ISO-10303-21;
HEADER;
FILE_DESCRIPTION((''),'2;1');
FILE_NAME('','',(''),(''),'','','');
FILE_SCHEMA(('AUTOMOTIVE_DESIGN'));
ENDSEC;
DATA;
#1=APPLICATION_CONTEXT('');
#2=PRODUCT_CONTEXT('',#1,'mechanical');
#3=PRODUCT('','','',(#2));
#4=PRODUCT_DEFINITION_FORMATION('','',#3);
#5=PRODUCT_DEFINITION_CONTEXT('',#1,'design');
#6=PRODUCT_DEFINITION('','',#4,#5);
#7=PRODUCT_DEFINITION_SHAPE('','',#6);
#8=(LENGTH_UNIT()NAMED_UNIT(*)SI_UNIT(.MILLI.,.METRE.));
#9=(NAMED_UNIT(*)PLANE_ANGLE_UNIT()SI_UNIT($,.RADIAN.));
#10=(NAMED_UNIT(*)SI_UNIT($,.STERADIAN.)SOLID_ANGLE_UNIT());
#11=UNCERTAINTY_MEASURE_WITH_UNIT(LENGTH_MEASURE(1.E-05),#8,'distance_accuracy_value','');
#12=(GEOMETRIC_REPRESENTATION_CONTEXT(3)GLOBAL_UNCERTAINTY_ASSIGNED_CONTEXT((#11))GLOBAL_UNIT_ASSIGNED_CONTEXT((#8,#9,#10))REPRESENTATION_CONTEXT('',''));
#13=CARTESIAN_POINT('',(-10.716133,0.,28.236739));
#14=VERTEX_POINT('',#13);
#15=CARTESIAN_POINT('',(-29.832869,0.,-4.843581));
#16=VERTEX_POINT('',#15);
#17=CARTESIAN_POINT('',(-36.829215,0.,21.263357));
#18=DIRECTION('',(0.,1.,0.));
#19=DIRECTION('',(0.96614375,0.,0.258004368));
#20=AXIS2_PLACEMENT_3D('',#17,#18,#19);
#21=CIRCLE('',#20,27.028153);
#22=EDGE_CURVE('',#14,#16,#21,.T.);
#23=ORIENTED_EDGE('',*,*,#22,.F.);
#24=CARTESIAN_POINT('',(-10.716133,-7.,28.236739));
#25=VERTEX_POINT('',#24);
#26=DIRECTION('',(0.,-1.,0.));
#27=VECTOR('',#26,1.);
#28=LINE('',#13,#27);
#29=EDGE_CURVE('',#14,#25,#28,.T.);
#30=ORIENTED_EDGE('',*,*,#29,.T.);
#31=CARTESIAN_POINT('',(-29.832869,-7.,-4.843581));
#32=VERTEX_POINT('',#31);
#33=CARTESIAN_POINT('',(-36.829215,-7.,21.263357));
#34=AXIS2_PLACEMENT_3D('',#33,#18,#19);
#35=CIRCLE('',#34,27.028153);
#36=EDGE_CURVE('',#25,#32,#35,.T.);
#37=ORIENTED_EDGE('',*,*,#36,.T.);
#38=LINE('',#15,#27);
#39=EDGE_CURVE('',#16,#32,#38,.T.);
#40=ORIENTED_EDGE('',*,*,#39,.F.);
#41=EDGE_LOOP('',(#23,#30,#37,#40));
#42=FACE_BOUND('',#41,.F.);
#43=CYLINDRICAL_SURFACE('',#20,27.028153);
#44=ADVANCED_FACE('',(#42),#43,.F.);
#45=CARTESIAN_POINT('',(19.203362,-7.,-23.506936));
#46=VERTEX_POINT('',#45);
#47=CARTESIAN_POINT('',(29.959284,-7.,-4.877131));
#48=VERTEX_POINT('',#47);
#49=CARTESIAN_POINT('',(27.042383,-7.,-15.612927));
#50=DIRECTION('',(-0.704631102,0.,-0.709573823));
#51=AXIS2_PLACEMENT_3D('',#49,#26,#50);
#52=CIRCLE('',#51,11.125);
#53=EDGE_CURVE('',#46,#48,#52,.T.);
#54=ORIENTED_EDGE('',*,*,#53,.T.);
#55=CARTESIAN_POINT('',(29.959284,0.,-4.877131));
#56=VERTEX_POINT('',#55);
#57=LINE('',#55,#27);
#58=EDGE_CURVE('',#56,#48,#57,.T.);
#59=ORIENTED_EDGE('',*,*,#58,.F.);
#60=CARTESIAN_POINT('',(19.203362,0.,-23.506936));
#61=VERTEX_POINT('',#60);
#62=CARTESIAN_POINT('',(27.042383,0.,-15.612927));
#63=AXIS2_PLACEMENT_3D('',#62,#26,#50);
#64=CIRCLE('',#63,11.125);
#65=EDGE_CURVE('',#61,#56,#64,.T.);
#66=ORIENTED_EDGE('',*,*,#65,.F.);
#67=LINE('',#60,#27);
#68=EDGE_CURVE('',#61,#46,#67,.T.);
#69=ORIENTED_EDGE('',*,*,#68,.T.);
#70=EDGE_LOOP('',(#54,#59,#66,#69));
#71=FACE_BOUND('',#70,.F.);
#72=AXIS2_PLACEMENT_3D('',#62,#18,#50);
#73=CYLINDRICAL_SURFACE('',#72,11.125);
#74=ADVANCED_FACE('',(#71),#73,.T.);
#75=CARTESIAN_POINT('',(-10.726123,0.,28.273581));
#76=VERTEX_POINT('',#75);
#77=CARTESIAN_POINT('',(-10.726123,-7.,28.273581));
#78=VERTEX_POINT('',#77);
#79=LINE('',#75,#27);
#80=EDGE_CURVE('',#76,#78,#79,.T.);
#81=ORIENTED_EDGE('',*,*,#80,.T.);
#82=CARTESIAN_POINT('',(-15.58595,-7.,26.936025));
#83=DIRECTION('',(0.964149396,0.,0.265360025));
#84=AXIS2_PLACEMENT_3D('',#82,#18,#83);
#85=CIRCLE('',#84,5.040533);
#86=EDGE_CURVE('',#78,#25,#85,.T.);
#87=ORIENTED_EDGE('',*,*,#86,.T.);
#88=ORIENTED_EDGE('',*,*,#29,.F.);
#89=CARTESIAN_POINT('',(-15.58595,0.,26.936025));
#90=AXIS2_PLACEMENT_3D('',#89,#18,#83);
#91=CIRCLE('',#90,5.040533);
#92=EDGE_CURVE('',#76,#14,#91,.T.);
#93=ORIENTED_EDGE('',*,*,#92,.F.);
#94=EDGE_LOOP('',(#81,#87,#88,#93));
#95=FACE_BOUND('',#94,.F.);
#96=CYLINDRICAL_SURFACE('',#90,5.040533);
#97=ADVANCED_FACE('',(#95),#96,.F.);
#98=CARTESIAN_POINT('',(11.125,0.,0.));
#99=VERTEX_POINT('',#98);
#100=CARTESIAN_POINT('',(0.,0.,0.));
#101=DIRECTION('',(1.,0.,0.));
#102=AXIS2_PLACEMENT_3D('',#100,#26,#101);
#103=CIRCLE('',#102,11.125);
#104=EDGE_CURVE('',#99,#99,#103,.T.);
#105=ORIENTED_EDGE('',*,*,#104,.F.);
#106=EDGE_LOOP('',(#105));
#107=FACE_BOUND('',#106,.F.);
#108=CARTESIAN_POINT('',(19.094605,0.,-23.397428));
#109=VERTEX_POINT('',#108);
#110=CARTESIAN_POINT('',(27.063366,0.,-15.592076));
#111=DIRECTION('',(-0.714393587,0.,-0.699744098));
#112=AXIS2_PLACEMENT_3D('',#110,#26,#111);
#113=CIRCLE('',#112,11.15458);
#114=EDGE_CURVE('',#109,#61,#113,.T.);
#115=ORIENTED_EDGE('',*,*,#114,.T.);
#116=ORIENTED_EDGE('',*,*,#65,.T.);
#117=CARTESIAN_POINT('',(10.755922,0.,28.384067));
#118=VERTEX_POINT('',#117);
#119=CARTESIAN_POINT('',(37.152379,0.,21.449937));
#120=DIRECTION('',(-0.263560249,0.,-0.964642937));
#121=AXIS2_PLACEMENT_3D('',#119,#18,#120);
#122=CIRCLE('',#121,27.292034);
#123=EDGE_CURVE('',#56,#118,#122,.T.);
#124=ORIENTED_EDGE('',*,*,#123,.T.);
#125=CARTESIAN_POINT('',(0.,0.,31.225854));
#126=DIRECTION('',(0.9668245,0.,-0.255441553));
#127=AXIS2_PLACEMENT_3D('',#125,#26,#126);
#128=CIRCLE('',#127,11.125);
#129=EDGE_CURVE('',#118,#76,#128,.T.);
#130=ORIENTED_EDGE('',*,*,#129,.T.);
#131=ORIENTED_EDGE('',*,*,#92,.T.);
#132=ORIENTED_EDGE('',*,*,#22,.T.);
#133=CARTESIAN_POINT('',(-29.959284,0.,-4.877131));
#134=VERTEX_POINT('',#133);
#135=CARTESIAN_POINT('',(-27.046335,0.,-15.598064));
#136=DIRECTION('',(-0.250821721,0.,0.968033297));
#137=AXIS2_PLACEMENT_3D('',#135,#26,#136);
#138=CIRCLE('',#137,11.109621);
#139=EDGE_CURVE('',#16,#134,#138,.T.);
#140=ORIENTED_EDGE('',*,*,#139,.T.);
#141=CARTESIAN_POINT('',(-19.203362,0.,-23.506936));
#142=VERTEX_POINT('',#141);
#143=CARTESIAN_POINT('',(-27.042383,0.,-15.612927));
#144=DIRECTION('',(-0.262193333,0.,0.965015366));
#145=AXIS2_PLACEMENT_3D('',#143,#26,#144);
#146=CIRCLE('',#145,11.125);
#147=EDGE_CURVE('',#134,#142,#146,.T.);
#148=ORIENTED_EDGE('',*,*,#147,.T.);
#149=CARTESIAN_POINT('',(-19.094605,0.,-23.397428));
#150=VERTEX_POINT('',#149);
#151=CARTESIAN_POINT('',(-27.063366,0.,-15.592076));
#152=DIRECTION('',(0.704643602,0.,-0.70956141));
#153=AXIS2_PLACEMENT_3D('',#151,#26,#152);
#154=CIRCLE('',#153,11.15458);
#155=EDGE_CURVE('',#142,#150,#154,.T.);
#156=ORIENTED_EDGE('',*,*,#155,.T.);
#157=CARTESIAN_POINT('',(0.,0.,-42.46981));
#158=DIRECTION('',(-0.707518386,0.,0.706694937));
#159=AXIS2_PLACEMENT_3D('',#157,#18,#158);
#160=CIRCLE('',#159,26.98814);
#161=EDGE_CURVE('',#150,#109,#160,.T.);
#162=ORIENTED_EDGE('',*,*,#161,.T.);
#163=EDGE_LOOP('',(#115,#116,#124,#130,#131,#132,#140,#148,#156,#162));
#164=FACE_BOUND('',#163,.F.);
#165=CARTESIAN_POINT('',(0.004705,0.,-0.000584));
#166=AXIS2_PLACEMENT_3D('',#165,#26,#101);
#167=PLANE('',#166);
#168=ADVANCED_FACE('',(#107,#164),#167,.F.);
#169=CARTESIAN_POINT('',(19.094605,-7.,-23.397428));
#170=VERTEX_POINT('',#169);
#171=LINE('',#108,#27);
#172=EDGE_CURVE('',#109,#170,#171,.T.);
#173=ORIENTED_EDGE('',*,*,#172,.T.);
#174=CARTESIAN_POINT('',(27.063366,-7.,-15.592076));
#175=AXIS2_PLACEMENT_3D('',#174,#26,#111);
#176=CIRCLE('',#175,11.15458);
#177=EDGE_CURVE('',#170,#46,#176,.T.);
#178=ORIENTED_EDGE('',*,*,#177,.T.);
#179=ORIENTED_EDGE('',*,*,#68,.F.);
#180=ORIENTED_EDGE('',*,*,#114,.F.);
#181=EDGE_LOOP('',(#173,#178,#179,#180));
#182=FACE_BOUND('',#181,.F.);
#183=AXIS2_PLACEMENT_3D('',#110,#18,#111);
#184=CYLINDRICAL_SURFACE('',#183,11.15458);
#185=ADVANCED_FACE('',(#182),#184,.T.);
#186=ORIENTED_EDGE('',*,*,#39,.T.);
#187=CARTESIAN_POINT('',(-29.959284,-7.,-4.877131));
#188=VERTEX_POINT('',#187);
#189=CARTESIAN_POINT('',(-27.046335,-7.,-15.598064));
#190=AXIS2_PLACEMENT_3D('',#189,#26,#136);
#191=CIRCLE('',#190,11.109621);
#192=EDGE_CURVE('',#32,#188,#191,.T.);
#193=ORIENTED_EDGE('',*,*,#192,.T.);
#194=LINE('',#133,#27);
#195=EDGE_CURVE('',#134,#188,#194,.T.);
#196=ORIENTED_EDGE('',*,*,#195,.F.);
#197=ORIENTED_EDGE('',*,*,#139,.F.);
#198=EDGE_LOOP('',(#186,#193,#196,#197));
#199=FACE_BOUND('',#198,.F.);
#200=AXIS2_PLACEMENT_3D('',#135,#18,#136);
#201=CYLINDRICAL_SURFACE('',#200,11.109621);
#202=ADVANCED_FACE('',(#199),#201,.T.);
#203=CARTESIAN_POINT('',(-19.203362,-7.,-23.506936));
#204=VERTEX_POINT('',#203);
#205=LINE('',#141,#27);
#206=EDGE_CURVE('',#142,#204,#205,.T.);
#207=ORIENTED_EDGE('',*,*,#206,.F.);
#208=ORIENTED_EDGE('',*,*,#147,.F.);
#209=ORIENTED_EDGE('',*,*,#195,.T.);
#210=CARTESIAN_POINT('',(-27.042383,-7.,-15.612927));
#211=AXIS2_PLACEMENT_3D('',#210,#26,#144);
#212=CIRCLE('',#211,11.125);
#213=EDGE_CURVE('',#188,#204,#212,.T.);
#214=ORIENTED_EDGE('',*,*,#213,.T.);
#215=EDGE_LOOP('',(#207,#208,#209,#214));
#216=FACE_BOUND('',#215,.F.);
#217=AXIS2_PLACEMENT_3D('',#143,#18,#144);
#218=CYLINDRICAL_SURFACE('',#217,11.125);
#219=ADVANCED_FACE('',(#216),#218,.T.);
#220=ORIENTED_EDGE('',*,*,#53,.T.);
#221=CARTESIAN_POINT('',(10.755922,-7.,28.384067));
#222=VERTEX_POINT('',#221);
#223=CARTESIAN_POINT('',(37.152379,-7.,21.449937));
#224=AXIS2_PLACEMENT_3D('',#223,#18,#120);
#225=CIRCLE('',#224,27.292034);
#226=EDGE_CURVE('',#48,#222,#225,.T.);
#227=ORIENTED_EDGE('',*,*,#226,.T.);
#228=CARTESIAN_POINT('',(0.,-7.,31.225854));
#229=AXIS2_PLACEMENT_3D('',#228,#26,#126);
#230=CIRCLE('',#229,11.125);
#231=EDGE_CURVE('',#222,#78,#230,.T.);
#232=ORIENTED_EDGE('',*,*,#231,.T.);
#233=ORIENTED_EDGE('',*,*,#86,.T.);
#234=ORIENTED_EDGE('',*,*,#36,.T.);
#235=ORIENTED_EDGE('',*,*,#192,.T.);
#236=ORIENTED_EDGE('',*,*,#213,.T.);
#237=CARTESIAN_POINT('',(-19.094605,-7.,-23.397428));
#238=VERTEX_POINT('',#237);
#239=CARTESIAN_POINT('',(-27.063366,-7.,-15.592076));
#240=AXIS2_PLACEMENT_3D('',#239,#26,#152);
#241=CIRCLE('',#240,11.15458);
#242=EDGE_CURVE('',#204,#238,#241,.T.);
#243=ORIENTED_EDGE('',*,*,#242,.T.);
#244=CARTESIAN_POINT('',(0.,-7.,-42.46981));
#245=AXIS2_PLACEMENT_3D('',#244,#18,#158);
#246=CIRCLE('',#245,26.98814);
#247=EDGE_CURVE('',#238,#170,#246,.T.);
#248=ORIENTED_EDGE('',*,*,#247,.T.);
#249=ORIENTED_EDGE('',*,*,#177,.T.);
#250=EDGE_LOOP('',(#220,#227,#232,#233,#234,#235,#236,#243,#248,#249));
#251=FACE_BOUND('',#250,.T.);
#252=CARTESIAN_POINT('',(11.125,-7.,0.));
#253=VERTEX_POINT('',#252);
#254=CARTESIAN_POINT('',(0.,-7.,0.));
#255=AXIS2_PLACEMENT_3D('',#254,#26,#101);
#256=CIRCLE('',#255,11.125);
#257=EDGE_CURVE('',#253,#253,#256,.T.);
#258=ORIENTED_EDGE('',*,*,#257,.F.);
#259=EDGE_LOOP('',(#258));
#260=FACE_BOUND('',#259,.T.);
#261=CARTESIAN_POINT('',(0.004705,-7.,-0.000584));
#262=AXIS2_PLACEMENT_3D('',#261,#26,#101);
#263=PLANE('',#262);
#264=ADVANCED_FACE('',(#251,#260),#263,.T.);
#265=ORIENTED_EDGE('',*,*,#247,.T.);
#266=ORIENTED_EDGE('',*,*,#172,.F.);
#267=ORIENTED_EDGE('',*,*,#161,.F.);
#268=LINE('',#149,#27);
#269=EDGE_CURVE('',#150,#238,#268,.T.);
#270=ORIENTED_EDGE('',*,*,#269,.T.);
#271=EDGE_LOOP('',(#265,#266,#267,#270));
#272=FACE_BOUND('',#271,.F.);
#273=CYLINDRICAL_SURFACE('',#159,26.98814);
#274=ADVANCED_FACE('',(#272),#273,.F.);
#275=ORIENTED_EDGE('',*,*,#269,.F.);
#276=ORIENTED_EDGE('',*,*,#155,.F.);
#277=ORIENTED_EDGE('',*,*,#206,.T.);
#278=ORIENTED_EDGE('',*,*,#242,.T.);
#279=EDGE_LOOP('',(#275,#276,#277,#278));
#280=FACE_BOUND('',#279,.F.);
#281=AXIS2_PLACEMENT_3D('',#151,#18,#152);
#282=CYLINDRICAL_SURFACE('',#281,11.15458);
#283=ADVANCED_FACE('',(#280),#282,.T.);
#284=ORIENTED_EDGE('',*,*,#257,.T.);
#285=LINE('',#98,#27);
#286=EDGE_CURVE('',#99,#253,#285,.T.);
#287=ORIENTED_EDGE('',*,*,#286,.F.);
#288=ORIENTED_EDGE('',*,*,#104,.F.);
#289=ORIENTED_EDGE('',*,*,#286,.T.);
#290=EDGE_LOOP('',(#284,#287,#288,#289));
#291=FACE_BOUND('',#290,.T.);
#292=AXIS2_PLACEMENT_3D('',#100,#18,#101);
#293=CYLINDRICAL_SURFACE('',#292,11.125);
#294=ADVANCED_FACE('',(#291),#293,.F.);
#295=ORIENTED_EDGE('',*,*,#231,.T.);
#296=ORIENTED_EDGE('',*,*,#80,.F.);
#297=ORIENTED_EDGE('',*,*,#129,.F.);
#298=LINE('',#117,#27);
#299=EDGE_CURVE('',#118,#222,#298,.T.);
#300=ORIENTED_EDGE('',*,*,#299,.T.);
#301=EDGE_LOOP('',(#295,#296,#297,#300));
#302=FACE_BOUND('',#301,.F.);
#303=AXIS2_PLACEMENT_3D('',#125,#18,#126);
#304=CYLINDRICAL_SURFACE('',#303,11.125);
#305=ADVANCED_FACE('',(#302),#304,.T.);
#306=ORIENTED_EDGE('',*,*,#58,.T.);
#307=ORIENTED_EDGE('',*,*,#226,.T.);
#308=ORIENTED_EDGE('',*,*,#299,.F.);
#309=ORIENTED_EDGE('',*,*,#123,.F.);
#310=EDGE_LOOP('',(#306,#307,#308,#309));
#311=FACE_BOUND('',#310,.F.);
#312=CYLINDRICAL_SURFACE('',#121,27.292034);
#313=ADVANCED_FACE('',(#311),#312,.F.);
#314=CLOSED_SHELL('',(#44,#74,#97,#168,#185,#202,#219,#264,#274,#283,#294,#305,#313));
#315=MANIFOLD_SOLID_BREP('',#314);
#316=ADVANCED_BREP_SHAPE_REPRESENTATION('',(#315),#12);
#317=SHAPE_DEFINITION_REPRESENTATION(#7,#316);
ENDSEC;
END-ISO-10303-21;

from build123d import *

# Parameters (mm, degrees)
F0_R     = 11.125
F1_DEPTH = 7


with BuildPart() as f1:
    # F0 (on Front) → F1 (new body)
    with BuildSketch(Plane.XZ):
        with BuildLine():
            ThreePointArc((29.959284, -4.877131), (13.516785, 7.803919), (10.755922, 28.384067))
            ThreePointArc((10.755922, 28.384067), (-0.057217, 42.350707), (-10.726123, 28.273581))
            ThreePointArc((-10.726123, 28.273581), (-10.721093, 28.255169), (-10.716133, 28.236739))
            ThreePointArc((-10.716133, 28.236739), (-13.427603, 7.739835), (-29.832869, -4.843581))
            ThreePointArc((-29.832869, -4.843581), (-29.896056, -4.860433), (-29.959284, -4.877131))
            ThreePointArc((-29.959284, -4.877131), (-36.676916, -21.175427), (-19.203362, -23.506936))
            ThreePointArc((-19.203362, -23.506936), (-19.149062, -23.452104), (-19.094605, -23.397428))
            ThreePointArc((-19.094605, -23.397428), (0, -15.48167), (19.094605, -23.397428))
            ThreePointArc((19.094605, -23.397428), (19.149062, -23.452104), (19.203362, -23.506936))
            ThreePointArc((19.203362, -23.506936), (36.676916, -21.175427), (29.959284, -4.877131))
        make_face()
        Circle(F0_R, mode=Mode.SUBTRACT)
        with BuildLine():
            ThreePointArc((19.094605, -23.397428), (19.148794, -23.45237), (19.203362, -23.506936))
            ThreePointArc((19.203362, -23.506936), (19.149062, -23.452104), (19.094605, -23.397428))
        make_face()
        with BuildLine():
            ThreePointArc((-29.959284, -4.877131), (-29.896056, -4.860433), (-29.832869, -4.843581))
            ThreePointArc((-29.832869, -4.843581), (-29.896126, -4.86017), (-29.959284, -4.877131))
        make_face()
        with BuildLine():
            ThreePointArc((-19.203362, -23.506936), (-19.148794, -23.45237), (-19.094605, -23.397428))
            ThreePointArc((-19.094605, -23.397428), (-19.149062, -23.452104), (-19.203362, -23.506936))
        make_face()
    extrude(amount=F1_DEPTH)


solid = f1.part
